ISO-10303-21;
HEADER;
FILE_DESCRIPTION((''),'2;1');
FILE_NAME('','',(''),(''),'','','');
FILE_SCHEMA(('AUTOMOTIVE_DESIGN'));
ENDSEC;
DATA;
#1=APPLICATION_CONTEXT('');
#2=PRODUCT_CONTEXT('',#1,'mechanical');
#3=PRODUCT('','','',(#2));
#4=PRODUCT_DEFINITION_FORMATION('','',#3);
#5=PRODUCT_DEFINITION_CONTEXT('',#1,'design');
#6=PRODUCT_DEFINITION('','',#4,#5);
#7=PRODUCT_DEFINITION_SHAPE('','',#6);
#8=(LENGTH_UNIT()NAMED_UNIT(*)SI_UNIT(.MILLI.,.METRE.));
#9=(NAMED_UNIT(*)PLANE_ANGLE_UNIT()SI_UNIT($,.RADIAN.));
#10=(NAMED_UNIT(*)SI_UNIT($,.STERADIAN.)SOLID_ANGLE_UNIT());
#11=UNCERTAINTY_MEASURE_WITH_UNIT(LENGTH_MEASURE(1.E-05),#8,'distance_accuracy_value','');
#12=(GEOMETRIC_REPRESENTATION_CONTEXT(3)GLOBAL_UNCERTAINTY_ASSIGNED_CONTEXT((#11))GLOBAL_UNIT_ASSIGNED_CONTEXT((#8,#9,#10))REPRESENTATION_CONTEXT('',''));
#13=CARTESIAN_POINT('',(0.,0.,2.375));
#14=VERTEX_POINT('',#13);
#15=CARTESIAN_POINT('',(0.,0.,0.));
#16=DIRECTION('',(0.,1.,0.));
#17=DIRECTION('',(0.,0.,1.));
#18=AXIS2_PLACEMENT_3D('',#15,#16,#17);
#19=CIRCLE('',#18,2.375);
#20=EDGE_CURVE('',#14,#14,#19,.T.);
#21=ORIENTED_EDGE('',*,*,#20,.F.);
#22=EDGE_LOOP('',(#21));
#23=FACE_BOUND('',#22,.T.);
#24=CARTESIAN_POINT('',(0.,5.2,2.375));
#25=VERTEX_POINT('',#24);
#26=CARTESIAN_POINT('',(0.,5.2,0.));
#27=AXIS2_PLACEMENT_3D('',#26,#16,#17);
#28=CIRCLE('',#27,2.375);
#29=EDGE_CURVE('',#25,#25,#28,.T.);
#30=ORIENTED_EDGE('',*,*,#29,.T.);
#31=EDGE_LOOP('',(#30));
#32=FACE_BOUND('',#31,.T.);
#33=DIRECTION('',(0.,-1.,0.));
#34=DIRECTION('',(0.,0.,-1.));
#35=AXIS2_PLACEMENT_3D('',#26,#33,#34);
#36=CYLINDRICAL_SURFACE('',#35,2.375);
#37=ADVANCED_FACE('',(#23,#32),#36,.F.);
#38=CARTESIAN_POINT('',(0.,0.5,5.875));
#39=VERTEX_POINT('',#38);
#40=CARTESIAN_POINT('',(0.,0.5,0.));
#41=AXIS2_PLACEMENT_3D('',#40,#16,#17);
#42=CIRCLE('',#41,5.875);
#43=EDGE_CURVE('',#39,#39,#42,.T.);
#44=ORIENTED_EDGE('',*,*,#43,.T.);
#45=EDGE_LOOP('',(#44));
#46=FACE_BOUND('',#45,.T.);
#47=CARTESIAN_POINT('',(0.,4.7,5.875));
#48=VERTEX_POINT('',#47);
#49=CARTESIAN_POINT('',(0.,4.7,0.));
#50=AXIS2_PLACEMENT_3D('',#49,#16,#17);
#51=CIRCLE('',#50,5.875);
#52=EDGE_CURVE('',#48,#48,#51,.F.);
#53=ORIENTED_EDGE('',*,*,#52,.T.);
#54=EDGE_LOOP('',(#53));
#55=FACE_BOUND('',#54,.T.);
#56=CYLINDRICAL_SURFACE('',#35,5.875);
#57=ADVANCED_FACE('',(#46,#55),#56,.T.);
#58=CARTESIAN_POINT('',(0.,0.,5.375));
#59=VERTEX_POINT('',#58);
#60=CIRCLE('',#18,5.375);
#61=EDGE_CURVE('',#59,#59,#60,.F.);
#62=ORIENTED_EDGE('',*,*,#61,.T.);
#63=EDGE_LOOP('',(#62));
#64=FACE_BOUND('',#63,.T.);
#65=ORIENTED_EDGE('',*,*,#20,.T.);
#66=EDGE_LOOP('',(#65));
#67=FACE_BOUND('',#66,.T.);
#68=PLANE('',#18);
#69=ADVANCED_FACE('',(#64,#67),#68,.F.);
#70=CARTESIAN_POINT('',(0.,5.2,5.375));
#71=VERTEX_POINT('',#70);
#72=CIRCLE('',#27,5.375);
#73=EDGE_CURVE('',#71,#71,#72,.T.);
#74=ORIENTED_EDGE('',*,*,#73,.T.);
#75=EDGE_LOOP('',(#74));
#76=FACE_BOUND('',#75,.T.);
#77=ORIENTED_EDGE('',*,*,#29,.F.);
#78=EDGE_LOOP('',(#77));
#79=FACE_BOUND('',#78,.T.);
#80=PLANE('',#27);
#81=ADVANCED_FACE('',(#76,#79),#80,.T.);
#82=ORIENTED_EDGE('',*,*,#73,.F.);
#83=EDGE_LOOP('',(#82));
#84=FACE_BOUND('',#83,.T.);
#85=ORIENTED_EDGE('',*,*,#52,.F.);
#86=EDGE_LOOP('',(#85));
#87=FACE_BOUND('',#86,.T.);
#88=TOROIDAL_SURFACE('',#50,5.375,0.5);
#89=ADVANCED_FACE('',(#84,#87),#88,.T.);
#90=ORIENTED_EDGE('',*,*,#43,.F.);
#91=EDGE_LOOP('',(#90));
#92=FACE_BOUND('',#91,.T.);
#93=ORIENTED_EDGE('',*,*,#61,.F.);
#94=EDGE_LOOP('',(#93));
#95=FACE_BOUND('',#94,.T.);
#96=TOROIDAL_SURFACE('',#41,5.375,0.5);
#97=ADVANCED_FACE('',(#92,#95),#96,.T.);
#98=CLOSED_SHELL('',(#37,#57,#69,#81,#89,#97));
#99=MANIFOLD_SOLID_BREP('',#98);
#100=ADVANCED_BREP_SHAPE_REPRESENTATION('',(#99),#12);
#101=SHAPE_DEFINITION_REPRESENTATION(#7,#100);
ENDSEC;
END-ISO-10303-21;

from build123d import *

# Parameters (mm, degrees)
SKETCH1_R           = 5.875
SKETCH1_R_2         = 2.375
BOSS_EXTRUDE1_DEPTH = 5.2
FILLET1_R           = 0.5


with BuildPart() as part:
    # Sketch1 → Boss-Extrude1 (new body)
    with BuildSketch(Plane(origin=(0, 0, 0), x_dir=(1, 0, 0), z_dir=(0, 1, 0))):
        with Locations(Location((0, 0, 0), (0, 0, 270))):
            Circle(SKETCH1_R)
        with Locations(Location((0, 0, 0), (0, 0, 270))):
            Circle(SKETCH1_R_2, mode=Mode.SUBTRACT)
    extrude(amount=BOSS_EXTRUDE1_DEPTH)

    # Fillet1
    fillet1_edges = [part.edges().sort_by_distance(p)[0] for p in [
        (0, 0, -5.875),
        (0, 5.2, -5.875),
    ]]
    fillet(fillet1_edges, radius=FILLET1_R)


solid = part.part
